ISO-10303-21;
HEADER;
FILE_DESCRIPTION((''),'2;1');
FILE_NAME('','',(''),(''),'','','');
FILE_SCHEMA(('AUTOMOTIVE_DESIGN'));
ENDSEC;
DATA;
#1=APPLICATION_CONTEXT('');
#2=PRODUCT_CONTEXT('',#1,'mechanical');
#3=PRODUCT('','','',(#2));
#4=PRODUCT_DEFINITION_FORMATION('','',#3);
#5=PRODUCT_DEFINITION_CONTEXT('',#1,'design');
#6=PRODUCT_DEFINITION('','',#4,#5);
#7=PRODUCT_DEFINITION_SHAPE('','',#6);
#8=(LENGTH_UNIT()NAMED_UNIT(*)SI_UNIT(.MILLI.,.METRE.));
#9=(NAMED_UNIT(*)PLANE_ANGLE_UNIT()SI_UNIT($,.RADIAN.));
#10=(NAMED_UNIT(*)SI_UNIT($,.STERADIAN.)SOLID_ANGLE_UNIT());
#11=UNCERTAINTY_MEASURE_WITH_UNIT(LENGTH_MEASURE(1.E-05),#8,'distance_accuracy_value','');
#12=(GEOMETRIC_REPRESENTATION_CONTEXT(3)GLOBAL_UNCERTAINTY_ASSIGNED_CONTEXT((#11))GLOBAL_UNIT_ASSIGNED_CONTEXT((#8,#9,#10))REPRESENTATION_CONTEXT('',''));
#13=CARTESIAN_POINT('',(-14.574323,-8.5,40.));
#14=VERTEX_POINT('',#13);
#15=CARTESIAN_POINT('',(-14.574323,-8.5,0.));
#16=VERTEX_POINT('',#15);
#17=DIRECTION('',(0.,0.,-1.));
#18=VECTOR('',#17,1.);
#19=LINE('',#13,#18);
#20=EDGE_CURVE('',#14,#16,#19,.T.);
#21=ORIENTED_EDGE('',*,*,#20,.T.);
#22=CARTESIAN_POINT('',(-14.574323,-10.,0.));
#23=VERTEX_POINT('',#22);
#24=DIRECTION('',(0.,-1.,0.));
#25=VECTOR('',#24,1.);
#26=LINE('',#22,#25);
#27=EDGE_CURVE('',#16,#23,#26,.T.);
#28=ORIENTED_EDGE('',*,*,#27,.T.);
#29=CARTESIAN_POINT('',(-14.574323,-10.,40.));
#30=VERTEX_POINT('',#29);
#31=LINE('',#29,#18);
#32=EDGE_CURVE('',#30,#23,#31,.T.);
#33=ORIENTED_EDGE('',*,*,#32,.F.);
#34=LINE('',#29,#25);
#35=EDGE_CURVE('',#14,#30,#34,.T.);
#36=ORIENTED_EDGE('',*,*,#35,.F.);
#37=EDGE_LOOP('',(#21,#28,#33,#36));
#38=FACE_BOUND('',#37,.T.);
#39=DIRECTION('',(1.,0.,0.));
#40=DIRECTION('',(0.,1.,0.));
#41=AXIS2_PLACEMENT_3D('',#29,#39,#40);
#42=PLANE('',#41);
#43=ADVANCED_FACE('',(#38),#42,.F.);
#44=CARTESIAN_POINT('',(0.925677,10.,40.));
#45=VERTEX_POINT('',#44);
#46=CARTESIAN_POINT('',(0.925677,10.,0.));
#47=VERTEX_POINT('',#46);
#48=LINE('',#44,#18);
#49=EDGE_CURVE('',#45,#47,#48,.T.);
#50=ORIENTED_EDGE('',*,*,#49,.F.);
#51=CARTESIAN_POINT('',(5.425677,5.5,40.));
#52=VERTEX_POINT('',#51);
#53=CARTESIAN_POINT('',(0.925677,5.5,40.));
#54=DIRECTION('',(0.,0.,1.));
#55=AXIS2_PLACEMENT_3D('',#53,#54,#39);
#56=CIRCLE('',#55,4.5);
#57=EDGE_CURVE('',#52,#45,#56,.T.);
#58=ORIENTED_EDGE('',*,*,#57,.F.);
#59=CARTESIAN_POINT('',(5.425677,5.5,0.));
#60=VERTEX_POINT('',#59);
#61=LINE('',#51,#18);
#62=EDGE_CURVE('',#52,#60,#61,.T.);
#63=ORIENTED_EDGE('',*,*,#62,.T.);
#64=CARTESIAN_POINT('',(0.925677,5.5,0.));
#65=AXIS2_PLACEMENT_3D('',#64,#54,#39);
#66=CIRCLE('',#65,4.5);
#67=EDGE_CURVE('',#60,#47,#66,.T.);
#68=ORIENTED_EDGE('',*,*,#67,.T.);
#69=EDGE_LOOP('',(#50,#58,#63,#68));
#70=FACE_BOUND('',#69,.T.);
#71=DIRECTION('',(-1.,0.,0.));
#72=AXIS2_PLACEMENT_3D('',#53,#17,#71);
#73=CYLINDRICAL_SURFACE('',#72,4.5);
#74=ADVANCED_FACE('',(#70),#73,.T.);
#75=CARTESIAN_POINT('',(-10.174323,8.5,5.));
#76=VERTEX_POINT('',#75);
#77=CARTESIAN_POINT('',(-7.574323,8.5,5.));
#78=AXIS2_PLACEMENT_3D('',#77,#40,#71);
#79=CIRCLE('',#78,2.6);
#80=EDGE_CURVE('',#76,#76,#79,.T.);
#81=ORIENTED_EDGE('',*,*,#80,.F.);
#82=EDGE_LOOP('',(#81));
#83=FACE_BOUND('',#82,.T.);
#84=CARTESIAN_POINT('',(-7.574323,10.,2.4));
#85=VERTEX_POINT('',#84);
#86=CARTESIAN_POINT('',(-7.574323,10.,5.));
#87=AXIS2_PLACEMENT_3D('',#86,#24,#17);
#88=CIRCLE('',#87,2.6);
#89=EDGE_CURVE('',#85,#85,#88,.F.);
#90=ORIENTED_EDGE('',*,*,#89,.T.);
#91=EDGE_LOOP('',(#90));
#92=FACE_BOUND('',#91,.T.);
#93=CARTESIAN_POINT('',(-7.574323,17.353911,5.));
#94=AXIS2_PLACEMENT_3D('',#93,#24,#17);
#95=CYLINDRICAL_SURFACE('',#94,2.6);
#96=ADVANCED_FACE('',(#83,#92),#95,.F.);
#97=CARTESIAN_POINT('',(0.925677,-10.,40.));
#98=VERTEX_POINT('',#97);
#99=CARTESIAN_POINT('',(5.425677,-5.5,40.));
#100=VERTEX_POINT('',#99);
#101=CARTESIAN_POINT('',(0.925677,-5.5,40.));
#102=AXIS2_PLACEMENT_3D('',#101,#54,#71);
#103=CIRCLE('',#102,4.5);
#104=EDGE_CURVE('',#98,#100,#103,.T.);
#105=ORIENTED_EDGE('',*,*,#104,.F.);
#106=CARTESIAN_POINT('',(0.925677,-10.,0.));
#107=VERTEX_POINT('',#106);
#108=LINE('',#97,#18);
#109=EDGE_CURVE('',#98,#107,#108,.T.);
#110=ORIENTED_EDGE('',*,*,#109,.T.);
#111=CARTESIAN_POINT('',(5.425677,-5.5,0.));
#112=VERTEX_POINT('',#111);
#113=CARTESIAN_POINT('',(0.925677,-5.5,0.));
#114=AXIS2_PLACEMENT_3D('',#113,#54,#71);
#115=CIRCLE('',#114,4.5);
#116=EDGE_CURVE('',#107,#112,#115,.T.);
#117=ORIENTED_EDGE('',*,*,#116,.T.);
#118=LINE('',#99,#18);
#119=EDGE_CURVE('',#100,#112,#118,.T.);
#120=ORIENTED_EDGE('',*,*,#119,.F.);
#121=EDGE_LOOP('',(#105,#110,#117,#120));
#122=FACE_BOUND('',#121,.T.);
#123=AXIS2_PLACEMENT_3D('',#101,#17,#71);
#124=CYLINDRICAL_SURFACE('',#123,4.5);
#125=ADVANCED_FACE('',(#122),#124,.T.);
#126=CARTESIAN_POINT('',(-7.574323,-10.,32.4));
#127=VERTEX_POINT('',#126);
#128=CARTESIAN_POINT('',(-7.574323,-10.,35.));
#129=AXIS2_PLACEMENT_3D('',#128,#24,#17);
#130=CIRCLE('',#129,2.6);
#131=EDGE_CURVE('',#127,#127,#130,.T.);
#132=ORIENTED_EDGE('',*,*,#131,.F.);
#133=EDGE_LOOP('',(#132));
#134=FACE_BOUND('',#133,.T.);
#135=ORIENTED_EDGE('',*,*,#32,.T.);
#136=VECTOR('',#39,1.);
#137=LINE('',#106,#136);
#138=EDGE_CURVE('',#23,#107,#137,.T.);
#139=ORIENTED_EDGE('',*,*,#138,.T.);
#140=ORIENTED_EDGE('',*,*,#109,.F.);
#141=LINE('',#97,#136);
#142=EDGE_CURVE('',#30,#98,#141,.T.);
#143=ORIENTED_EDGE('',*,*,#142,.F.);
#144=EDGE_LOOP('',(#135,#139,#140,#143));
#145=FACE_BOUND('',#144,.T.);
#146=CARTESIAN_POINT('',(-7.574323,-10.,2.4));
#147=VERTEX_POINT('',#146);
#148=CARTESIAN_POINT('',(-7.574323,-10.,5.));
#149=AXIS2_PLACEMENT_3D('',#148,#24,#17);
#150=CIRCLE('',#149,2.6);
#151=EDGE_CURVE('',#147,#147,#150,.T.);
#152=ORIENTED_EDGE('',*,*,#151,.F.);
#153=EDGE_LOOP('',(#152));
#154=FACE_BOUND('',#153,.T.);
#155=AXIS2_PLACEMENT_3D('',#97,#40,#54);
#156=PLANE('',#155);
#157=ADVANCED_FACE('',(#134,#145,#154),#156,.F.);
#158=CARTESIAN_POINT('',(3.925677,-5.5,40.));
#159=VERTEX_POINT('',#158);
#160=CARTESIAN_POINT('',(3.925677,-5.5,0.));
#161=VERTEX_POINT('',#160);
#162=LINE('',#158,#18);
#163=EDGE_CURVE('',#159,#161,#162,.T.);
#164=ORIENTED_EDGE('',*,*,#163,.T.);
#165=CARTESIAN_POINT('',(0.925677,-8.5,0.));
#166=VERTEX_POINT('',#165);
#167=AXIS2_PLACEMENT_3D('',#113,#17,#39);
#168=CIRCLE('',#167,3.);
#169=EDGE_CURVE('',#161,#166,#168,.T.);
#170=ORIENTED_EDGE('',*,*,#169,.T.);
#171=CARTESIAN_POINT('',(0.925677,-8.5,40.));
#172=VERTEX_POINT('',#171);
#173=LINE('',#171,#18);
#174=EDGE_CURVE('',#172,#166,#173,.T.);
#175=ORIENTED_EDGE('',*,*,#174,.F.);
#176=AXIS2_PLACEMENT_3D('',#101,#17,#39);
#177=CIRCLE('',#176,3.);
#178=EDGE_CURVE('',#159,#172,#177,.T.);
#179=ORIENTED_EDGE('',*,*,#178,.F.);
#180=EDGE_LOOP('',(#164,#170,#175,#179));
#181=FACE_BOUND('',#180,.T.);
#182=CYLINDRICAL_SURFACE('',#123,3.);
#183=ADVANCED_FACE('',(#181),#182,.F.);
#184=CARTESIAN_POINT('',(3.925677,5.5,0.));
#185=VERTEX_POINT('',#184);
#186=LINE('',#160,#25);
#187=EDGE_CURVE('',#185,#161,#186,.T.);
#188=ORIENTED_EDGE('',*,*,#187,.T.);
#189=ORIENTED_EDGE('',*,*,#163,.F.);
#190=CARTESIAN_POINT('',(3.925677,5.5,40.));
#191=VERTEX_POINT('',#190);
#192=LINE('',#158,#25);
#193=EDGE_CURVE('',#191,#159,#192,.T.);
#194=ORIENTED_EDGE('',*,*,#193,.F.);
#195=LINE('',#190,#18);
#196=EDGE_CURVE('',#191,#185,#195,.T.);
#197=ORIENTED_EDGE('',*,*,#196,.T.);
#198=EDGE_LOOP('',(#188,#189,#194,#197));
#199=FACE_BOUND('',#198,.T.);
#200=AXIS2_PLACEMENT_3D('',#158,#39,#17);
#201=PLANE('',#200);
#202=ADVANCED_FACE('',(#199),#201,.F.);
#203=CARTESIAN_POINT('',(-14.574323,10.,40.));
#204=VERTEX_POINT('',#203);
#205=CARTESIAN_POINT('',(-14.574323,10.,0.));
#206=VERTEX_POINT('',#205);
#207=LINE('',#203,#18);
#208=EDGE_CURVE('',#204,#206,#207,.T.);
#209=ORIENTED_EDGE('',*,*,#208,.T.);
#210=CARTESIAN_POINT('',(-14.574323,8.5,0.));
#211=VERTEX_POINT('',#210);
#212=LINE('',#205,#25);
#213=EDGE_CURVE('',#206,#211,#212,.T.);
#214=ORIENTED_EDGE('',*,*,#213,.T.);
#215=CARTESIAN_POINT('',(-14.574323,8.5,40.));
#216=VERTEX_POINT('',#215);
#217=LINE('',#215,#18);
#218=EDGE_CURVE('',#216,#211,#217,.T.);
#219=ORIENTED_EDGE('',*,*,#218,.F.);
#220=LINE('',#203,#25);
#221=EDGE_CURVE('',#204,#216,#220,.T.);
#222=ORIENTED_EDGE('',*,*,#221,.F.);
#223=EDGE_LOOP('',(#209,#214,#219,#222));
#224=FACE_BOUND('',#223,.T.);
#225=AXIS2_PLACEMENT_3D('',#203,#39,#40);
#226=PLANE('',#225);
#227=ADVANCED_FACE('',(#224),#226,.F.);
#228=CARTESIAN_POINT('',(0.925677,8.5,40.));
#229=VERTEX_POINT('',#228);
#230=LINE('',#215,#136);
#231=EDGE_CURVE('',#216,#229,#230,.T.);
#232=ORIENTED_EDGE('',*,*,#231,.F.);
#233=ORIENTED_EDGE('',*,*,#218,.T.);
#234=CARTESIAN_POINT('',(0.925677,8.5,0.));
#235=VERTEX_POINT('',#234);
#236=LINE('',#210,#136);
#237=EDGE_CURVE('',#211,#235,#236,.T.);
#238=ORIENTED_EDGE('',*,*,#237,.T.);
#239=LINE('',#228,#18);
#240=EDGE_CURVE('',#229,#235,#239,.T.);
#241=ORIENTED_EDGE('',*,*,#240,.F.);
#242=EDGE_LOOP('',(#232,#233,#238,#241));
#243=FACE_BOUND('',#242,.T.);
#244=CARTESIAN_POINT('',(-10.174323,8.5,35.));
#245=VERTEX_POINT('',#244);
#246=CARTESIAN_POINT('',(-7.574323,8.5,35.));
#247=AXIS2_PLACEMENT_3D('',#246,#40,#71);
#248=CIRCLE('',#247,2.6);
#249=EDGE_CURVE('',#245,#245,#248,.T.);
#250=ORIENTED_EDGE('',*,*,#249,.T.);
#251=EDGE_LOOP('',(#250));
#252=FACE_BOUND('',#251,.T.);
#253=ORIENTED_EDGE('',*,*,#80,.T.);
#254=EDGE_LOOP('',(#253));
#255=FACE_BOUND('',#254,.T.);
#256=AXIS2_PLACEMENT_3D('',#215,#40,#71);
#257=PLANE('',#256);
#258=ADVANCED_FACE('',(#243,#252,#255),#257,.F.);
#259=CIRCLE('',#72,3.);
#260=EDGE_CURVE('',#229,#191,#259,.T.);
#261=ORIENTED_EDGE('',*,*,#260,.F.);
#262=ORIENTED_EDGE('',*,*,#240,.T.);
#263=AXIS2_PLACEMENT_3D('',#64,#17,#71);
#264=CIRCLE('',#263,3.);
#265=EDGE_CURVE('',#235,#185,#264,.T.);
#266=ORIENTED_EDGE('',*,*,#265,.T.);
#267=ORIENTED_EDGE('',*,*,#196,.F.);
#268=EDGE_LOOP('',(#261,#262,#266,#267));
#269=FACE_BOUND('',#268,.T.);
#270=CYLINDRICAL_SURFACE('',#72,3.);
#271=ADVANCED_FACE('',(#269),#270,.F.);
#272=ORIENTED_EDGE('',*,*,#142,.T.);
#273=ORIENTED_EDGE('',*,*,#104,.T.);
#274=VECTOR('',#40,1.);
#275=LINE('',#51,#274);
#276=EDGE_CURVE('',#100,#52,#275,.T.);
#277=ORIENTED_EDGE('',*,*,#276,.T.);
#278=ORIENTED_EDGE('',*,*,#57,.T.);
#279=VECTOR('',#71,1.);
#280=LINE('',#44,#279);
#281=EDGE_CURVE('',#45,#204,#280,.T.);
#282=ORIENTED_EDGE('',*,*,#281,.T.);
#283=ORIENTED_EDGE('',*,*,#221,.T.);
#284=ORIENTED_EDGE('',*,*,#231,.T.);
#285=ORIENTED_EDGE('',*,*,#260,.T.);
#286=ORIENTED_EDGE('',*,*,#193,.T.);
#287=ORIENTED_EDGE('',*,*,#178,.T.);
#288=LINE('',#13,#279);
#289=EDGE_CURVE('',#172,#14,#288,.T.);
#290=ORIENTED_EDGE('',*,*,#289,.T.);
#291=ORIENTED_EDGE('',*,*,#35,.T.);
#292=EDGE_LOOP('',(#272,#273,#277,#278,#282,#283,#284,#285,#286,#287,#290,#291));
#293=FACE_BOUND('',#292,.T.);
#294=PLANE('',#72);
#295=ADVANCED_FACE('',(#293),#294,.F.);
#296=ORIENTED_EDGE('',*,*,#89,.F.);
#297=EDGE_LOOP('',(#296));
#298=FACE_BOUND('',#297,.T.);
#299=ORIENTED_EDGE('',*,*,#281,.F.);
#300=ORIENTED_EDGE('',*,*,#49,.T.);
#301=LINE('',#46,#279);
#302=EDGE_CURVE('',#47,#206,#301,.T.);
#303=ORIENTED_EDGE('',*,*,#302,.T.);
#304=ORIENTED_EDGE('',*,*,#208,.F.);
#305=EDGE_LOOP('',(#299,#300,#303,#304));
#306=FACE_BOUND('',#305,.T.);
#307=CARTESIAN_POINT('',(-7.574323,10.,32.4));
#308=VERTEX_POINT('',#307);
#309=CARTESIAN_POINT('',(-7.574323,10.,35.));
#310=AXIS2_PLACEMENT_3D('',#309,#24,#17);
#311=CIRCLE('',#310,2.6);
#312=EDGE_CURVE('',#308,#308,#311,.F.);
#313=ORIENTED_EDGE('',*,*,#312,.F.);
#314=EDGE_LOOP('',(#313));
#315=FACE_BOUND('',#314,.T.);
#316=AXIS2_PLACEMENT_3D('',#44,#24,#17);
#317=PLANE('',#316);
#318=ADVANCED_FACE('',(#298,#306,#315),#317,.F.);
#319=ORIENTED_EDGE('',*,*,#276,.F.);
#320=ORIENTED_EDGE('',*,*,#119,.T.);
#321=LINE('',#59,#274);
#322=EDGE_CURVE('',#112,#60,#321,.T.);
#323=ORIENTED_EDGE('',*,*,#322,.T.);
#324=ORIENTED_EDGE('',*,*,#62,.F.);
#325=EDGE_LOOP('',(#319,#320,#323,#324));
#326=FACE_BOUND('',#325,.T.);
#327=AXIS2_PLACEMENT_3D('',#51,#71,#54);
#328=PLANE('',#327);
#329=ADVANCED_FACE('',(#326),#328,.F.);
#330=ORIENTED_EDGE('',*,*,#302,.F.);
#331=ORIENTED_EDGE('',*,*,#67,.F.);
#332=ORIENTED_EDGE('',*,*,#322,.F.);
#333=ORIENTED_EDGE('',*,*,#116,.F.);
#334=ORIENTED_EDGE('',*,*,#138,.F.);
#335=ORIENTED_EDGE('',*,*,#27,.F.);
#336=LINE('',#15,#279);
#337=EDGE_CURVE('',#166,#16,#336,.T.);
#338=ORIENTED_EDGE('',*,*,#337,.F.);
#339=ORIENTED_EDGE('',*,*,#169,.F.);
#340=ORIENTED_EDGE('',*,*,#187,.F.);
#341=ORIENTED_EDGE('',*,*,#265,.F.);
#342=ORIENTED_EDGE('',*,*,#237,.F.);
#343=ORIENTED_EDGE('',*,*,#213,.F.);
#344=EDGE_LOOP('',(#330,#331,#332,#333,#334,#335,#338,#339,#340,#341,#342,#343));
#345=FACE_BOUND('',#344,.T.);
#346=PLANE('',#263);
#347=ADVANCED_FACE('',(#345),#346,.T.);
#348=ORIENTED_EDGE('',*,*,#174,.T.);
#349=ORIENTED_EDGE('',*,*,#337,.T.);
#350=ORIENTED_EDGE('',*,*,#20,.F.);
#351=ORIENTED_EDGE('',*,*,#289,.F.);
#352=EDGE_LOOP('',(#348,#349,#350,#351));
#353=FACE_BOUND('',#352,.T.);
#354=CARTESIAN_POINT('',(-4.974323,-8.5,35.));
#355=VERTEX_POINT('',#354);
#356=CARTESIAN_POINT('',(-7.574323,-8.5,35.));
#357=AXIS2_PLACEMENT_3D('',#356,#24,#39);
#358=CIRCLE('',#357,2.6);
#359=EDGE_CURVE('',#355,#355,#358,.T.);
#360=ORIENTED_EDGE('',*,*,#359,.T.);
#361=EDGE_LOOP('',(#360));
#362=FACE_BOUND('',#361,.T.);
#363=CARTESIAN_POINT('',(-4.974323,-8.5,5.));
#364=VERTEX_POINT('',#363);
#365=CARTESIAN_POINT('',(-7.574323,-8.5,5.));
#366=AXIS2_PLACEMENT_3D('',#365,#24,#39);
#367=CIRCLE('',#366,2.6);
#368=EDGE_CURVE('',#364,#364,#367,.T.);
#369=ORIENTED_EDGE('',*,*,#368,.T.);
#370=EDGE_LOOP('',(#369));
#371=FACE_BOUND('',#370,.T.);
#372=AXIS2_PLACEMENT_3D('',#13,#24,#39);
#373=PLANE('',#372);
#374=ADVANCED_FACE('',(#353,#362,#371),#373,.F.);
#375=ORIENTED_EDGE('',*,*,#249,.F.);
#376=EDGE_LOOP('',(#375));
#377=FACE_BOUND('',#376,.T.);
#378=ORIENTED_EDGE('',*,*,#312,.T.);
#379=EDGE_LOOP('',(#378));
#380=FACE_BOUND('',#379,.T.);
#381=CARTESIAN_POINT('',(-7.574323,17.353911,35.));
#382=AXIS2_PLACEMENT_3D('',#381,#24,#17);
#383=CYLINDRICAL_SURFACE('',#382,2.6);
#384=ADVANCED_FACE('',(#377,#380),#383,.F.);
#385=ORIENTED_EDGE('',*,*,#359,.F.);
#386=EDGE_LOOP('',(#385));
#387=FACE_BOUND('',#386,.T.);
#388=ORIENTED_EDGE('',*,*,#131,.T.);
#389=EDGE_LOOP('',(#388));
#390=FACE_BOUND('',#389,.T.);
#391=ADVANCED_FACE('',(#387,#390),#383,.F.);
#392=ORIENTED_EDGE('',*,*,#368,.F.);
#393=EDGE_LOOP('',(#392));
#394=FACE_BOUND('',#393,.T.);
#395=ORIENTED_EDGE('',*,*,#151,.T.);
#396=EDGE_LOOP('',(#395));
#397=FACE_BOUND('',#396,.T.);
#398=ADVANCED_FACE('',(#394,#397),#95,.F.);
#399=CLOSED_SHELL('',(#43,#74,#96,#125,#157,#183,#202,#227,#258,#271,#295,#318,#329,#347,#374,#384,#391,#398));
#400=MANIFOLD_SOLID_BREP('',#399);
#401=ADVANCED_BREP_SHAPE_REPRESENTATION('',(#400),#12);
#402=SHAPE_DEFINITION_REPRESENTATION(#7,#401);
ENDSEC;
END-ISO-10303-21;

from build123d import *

# Parameters (mm, degrees)
AUFSATZ_LINEAR_AUSTRAGEN1_DEPTH = 40
SCHNITT_LINEAR_AUSTRAGEN1_REACH = 49.036
SKIZZE2_R                       = 2.6


with BuildPart() as part:
    # Skizze1 → Aufsatz-Linear austragen1 (new body)
    with BuildSketch(Plane(origin=(0, 0, 0), x_dir=(0, 1, 0), z_dir=(0, 0, 1))):
        with BuildLine():
            Line((5.5, -5.425677432), (-5.5, -5.425677432))
            ThreePointArc((-5.5, -5.425677432), (-8.681980515, -4.107657947), (-10, -0.925677432))
            Line((-10, -0.925677432), (-10, 14.574322568))
            Line((-10, 14.574322568), (-8.5, 14.574322568))
            Line((-8.5, 14.574322568), (-8.5, -0.925677432))
            ThreePointArc((-8.5, -0.925677432), (-7.621320344, -3.046997775), (-5.5, -3.925677432))
            Line((-5.5, -3.925677432), (5.5, -3.925677432))
            ThreePointArc((5.5, -3.925677432), (7.621320344, -3.046997775), (8.5, -0.925677432))
            Line((8.5, -0.925677432), (8.5, 14.574322568))
            Line((8.5, 14.574322568), (10, 14.574322568))
            Line((10, 14.574322568), (10, -0.925677432))
            ThreePointArc((10, -0.925677432), (8.681980515, -4.107657947), (5.5, -5.425677432))
        make_face()
    extrude(amount=AUFSATZ_LINEAR_AUSTRAGEN1_DEPTH)

    # Schnitt-Linear austragen1: up to this face of the body (flat: up to its plane)
    schnitt_linear_austragen1_end = Plane(part.part.faces().sort_by_distance((-6.824322568, 10, 20))[0])
    # Skizze2 → Schnitt-Linear austragen1 (cut, up to the picked face)
    with BuildSketch(Plane.XZ.offset(10), mode=Mode.PRIVATE) as schnitt_linear_austragen1_sk1:
        with Locations(Location((-7.574322568, 35, 0), (0, 0, 270))):
            Circle(SKIZZE2_R)
    schnitt_linear_austragen1_tool1 = split(extrude(schnitt_linear_austragen1_sk1.sketch, amount=-SCHNITT_LINEAR_AUSTRAGEN1_REACH, mode=Mode.PRIVATE), bisect_by=schnitt_linear_austragen1_end, keep=Keep.BOTH, mode=Mode.PRIVATE)
    # Skizze2 → Schnitt-Linear austragen1 (cut, up to the picked face)
    with BuildSketch(Plane.XZ.offset(10), mode=Mode.PRIVATE) as schnitt_linear_austragen1_sk2:
        with Locations(Location((-7.574322568, 5, 0), (0, 0, 270))):
            Circle(SKIZZE2_R)
    schnitt_linear_austragen1_tool2 = split(extrude(schnitt_linear_austragen1_sk2.sketch, amount=-SCHNITT_LINEAR_AUSTRAGEN1_REACH, mode=Mode.PRIVATE), bisect_by=schnitt_linear_austragen1_end, keep=Keep.BOTH, mode=Mode.PRIVATE)
    add(schnitt_linear_austragen1_tool1.solids().sort_by(Axis((-7.574323, -10, 35), (0, 1, 0)))[0], mode=Mode.SUBTRACT)
    add(schnitt_linear_austragen1_tool2.solids().sort_by(Axis((-7.574323, -10, 5), (0, 1, 0)))[0], mode=Mode.SUBTRACT)


solid = part.part
